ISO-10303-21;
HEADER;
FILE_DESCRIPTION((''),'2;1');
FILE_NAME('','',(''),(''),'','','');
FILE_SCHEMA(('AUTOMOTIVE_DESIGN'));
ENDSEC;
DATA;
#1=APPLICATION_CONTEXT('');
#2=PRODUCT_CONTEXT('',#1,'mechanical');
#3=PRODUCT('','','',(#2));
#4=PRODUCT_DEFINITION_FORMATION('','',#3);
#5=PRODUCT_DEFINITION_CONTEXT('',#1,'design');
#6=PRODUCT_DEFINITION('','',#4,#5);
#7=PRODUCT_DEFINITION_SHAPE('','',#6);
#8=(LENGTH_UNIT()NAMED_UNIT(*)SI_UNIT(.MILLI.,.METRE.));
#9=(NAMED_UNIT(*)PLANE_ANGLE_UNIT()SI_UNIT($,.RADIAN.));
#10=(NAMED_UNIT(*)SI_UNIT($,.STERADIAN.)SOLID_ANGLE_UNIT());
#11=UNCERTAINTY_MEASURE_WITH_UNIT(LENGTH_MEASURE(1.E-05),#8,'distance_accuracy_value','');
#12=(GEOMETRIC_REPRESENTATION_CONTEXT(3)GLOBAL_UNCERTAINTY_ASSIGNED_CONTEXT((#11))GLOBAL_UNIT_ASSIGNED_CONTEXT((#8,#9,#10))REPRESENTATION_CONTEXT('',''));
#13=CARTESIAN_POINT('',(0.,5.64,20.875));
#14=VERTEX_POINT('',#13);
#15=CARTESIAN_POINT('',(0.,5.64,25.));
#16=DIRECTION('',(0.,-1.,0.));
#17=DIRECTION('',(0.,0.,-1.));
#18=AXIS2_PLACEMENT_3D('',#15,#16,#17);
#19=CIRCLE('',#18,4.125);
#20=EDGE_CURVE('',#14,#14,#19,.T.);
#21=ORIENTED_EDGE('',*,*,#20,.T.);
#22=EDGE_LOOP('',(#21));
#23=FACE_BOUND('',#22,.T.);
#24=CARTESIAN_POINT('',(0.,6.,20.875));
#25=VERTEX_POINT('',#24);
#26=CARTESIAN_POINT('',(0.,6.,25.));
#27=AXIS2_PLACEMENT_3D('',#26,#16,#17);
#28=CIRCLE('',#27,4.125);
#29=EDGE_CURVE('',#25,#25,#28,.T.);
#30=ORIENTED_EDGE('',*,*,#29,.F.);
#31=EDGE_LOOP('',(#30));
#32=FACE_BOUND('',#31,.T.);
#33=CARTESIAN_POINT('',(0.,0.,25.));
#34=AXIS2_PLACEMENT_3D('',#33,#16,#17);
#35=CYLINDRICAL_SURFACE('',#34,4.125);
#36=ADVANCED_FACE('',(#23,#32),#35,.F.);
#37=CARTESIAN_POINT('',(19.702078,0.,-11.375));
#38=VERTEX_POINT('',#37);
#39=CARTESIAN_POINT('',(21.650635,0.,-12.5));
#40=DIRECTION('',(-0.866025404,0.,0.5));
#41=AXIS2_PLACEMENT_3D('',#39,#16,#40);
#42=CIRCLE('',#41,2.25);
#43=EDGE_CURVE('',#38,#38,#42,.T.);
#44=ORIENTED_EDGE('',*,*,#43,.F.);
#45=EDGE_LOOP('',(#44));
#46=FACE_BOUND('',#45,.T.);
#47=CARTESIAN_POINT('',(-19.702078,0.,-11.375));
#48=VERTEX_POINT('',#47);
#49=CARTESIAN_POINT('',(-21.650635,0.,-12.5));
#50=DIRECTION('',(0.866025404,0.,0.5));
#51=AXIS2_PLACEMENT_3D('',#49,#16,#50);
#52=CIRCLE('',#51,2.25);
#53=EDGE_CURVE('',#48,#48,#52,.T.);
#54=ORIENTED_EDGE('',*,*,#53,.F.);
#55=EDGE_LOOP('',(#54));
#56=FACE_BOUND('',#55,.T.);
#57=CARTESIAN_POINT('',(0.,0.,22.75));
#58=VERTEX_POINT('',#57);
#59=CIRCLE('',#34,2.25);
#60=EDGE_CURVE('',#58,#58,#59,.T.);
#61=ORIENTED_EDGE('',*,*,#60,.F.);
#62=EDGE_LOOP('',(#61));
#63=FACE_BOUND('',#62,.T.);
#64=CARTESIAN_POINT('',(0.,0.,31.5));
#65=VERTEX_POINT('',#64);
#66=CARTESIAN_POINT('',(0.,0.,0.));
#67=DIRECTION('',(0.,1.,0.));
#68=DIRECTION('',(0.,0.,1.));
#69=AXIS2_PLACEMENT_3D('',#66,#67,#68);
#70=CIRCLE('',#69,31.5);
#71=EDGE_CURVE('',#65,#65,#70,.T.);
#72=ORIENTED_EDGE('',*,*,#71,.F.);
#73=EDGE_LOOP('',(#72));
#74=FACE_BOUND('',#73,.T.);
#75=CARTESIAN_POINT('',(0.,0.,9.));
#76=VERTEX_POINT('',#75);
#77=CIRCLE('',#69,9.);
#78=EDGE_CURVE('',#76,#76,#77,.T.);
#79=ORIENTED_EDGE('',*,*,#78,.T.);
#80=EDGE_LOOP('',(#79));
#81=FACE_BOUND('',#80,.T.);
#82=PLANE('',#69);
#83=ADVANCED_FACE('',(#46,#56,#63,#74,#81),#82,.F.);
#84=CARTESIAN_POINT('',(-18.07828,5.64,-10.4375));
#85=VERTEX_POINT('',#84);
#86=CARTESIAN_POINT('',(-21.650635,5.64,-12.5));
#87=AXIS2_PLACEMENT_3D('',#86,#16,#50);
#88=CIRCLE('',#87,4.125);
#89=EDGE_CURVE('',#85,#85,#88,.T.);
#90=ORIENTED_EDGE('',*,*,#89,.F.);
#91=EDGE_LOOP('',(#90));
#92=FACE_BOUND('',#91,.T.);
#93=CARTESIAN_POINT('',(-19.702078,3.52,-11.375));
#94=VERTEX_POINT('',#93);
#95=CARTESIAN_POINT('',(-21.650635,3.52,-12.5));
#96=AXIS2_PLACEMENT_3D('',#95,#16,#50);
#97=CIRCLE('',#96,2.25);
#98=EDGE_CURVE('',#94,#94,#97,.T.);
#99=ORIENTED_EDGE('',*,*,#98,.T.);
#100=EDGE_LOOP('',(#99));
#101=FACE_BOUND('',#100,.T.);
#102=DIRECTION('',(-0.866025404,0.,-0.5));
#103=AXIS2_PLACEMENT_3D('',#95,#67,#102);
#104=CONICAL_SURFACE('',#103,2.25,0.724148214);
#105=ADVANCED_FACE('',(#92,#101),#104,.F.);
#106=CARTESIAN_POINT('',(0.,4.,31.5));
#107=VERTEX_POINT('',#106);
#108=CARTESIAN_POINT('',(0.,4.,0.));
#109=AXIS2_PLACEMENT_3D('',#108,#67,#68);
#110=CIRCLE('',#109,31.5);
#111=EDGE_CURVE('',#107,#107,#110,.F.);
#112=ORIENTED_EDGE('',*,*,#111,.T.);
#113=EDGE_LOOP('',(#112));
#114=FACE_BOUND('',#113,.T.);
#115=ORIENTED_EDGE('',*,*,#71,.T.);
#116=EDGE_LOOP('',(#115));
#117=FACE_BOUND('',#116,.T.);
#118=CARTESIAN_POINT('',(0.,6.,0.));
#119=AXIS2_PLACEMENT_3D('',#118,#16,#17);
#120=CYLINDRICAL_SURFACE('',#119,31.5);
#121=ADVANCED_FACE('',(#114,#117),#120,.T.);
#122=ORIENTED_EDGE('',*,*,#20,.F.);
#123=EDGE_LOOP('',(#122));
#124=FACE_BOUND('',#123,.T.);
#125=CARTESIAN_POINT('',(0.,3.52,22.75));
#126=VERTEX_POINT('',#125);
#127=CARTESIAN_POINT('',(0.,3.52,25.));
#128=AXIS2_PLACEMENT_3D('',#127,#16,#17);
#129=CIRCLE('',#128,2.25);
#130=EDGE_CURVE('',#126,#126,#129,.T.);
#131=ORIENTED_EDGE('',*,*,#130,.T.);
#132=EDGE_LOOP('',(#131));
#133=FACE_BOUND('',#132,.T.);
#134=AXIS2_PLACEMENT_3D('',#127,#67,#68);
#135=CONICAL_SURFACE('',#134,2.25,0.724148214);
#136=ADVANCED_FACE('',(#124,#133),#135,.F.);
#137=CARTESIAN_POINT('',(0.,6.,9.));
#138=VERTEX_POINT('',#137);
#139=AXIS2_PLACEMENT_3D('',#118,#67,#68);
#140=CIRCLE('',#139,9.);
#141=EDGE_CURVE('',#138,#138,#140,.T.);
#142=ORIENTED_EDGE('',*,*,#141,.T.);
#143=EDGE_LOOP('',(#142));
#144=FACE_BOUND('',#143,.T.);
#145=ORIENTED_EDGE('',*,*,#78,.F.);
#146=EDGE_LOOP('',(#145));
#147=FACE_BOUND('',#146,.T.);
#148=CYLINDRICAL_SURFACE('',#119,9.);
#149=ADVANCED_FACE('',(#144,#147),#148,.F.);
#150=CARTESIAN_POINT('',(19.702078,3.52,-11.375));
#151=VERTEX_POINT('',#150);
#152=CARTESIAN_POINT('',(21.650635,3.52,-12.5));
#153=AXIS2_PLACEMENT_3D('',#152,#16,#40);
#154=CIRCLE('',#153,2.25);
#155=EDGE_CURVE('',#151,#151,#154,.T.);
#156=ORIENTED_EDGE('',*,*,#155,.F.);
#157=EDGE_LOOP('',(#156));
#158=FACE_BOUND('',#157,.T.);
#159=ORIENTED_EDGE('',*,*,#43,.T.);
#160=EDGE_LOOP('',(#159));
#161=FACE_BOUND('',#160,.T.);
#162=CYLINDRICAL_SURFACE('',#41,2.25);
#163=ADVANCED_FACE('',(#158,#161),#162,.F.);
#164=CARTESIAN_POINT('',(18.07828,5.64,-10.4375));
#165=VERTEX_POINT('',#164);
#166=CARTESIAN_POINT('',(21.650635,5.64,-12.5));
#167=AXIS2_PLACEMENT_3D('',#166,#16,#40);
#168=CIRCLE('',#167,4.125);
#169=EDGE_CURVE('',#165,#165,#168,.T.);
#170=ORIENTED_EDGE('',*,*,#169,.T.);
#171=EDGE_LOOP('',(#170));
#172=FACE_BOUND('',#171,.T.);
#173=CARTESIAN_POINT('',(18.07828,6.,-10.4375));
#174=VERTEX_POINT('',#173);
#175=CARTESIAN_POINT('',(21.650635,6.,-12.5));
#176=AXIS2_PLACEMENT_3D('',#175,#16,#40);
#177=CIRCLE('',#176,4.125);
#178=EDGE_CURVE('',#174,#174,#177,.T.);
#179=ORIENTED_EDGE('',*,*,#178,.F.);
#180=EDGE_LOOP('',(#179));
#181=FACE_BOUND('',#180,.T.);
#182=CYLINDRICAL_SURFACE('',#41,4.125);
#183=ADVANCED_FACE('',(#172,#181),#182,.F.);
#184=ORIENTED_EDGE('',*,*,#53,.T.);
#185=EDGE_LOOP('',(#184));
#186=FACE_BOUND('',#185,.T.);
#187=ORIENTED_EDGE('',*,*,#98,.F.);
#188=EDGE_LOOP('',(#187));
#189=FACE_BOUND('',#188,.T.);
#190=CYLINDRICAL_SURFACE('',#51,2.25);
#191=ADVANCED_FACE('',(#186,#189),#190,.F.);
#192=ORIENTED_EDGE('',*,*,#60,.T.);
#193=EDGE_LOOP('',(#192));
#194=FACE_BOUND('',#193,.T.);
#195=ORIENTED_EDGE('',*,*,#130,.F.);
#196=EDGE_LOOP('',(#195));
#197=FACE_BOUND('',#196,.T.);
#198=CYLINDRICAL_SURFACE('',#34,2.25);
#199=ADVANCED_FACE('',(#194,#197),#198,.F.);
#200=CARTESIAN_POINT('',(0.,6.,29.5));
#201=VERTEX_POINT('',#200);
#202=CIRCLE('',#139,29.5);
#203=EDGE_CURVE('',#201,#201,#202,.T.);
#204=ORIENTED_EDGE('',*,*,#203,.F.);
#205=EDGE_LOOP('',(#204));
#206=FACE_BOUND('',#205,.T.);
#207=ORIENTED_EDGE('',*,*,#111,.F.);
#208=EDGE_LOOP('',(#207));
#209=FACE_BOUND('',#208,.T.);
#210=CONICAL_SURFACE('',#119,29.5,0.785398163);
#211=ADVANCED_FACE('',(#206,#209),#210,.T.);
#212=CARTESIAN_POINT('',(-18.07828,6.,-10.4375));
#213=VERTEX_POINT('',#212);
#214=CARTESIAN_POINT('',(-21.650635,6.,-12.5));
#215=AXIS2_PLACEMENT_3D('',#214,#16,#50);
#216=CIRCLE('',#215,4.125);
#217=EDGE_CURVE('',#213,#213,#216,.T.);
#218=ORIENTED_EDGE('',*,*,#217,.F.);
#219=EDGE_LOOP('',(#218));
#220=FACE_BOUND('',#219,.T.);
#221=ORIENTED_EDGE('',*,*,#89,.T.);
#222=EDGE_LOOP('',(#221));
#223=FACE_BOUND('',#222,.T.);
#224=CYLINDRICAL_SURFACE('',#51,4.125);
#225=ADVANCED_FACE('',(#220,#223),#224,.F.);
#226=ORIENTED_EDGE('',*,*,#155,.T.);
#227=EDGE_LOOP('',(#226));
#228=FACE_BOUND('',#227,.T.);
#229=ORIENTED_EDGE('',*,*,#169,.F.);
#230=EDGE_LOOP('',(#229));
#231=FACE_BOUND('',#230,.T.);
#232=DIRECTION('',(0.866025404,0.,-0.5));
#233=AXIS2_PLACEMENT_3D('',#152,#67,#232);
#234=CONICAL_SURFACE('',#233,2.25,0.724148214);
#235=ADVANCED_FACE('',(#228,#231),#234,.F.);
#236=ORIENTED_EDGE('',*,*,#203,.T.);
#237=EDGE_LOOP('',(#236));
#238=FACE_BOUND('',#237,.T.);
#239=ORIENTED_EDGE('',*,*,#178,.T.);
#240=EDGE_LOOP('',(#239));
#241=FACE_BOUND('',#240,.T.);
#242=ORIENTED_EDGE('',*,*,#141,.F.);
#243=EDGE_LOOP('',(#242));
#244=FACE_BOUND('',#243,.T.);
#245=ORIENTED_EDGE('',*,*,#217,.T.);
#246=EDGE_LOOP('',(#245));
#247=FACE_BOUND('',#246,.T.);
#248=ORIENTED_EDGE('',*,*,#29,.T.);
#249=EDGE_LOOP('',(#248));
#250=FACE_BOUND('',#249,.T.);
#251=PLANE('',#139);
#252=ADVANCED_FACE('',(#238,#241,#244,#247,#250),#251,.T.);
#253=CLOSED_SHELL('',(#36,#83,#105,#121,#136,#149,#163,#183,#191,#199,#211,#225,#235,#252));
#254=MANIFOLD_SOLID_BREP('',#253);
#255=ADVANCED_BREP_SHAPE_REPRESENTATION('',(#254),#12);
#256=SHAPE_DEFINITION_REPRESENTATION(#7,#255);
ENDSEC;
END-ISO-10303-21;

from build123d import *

# Parameters (mm, degrees)
CROQUIS1_R              = 31.5
CROQUIS1_R_2            = 9
SALIENTE_EXTRUIR1_DEPTH = 6
CHAFL_N1_SIZE           = 2
MATRIZC1_COUNT          = 3


with BuildPart() as part:
    # Croquis1 → Saliente-Extruir1 (new body)
    with BuildSketch(Plane(origin=(0, 0, 0), x_dir=(1, 0, 0), z_dir=(0, 1, 0))):
        Circle(CROQUIS1_R)
        Circle(CROQUIS1_R_2, mode=Mode.SUBTRACT)
    extrude(amount=SALIENTE_EXTRUIR1_DEPTH)

    # Chaflán1
    chafl_n1_edges = [part.edges().sort_by_distance(p)[0] for p in [
        (-31.5, 6, 0),
    ]]
    chamfer(chafl_n1_edges, length=CHAFL_N1_SIZE)

    # Croquis2 → Cortar-Revolución1 (revolve, cut)
    with BuildSketch(Plane(origin=(0, 0, 0), x_dir=(0, 0, -1), z_dir=(1, 0, 0))):
        Polygon((-25, 0), (-25, 6), (-20.875, 6), (-20.875, 5.64), (-22.75, 3.52), (-22.75, 0), align=None)
    cortar_revoluci_n1 = revolve(axis=Axis((0, 0, 25), (0, 1, 0)), mode=Mode.SUBTRACT)

    # MatrizC1: Cortar-Revolución1 ×3 about axis
    matrizc1_axis = Axis((0, 0, 0), (0, 1, 0))
    for i in range(1, MATRIZC1_COUNT):
        add(cortar_revoluci_n1.rotate(matrizc1_axis, i * 360 / MATRIZC1_COUNT), mode=Mode.SUBTRACT)


solid = part.part
